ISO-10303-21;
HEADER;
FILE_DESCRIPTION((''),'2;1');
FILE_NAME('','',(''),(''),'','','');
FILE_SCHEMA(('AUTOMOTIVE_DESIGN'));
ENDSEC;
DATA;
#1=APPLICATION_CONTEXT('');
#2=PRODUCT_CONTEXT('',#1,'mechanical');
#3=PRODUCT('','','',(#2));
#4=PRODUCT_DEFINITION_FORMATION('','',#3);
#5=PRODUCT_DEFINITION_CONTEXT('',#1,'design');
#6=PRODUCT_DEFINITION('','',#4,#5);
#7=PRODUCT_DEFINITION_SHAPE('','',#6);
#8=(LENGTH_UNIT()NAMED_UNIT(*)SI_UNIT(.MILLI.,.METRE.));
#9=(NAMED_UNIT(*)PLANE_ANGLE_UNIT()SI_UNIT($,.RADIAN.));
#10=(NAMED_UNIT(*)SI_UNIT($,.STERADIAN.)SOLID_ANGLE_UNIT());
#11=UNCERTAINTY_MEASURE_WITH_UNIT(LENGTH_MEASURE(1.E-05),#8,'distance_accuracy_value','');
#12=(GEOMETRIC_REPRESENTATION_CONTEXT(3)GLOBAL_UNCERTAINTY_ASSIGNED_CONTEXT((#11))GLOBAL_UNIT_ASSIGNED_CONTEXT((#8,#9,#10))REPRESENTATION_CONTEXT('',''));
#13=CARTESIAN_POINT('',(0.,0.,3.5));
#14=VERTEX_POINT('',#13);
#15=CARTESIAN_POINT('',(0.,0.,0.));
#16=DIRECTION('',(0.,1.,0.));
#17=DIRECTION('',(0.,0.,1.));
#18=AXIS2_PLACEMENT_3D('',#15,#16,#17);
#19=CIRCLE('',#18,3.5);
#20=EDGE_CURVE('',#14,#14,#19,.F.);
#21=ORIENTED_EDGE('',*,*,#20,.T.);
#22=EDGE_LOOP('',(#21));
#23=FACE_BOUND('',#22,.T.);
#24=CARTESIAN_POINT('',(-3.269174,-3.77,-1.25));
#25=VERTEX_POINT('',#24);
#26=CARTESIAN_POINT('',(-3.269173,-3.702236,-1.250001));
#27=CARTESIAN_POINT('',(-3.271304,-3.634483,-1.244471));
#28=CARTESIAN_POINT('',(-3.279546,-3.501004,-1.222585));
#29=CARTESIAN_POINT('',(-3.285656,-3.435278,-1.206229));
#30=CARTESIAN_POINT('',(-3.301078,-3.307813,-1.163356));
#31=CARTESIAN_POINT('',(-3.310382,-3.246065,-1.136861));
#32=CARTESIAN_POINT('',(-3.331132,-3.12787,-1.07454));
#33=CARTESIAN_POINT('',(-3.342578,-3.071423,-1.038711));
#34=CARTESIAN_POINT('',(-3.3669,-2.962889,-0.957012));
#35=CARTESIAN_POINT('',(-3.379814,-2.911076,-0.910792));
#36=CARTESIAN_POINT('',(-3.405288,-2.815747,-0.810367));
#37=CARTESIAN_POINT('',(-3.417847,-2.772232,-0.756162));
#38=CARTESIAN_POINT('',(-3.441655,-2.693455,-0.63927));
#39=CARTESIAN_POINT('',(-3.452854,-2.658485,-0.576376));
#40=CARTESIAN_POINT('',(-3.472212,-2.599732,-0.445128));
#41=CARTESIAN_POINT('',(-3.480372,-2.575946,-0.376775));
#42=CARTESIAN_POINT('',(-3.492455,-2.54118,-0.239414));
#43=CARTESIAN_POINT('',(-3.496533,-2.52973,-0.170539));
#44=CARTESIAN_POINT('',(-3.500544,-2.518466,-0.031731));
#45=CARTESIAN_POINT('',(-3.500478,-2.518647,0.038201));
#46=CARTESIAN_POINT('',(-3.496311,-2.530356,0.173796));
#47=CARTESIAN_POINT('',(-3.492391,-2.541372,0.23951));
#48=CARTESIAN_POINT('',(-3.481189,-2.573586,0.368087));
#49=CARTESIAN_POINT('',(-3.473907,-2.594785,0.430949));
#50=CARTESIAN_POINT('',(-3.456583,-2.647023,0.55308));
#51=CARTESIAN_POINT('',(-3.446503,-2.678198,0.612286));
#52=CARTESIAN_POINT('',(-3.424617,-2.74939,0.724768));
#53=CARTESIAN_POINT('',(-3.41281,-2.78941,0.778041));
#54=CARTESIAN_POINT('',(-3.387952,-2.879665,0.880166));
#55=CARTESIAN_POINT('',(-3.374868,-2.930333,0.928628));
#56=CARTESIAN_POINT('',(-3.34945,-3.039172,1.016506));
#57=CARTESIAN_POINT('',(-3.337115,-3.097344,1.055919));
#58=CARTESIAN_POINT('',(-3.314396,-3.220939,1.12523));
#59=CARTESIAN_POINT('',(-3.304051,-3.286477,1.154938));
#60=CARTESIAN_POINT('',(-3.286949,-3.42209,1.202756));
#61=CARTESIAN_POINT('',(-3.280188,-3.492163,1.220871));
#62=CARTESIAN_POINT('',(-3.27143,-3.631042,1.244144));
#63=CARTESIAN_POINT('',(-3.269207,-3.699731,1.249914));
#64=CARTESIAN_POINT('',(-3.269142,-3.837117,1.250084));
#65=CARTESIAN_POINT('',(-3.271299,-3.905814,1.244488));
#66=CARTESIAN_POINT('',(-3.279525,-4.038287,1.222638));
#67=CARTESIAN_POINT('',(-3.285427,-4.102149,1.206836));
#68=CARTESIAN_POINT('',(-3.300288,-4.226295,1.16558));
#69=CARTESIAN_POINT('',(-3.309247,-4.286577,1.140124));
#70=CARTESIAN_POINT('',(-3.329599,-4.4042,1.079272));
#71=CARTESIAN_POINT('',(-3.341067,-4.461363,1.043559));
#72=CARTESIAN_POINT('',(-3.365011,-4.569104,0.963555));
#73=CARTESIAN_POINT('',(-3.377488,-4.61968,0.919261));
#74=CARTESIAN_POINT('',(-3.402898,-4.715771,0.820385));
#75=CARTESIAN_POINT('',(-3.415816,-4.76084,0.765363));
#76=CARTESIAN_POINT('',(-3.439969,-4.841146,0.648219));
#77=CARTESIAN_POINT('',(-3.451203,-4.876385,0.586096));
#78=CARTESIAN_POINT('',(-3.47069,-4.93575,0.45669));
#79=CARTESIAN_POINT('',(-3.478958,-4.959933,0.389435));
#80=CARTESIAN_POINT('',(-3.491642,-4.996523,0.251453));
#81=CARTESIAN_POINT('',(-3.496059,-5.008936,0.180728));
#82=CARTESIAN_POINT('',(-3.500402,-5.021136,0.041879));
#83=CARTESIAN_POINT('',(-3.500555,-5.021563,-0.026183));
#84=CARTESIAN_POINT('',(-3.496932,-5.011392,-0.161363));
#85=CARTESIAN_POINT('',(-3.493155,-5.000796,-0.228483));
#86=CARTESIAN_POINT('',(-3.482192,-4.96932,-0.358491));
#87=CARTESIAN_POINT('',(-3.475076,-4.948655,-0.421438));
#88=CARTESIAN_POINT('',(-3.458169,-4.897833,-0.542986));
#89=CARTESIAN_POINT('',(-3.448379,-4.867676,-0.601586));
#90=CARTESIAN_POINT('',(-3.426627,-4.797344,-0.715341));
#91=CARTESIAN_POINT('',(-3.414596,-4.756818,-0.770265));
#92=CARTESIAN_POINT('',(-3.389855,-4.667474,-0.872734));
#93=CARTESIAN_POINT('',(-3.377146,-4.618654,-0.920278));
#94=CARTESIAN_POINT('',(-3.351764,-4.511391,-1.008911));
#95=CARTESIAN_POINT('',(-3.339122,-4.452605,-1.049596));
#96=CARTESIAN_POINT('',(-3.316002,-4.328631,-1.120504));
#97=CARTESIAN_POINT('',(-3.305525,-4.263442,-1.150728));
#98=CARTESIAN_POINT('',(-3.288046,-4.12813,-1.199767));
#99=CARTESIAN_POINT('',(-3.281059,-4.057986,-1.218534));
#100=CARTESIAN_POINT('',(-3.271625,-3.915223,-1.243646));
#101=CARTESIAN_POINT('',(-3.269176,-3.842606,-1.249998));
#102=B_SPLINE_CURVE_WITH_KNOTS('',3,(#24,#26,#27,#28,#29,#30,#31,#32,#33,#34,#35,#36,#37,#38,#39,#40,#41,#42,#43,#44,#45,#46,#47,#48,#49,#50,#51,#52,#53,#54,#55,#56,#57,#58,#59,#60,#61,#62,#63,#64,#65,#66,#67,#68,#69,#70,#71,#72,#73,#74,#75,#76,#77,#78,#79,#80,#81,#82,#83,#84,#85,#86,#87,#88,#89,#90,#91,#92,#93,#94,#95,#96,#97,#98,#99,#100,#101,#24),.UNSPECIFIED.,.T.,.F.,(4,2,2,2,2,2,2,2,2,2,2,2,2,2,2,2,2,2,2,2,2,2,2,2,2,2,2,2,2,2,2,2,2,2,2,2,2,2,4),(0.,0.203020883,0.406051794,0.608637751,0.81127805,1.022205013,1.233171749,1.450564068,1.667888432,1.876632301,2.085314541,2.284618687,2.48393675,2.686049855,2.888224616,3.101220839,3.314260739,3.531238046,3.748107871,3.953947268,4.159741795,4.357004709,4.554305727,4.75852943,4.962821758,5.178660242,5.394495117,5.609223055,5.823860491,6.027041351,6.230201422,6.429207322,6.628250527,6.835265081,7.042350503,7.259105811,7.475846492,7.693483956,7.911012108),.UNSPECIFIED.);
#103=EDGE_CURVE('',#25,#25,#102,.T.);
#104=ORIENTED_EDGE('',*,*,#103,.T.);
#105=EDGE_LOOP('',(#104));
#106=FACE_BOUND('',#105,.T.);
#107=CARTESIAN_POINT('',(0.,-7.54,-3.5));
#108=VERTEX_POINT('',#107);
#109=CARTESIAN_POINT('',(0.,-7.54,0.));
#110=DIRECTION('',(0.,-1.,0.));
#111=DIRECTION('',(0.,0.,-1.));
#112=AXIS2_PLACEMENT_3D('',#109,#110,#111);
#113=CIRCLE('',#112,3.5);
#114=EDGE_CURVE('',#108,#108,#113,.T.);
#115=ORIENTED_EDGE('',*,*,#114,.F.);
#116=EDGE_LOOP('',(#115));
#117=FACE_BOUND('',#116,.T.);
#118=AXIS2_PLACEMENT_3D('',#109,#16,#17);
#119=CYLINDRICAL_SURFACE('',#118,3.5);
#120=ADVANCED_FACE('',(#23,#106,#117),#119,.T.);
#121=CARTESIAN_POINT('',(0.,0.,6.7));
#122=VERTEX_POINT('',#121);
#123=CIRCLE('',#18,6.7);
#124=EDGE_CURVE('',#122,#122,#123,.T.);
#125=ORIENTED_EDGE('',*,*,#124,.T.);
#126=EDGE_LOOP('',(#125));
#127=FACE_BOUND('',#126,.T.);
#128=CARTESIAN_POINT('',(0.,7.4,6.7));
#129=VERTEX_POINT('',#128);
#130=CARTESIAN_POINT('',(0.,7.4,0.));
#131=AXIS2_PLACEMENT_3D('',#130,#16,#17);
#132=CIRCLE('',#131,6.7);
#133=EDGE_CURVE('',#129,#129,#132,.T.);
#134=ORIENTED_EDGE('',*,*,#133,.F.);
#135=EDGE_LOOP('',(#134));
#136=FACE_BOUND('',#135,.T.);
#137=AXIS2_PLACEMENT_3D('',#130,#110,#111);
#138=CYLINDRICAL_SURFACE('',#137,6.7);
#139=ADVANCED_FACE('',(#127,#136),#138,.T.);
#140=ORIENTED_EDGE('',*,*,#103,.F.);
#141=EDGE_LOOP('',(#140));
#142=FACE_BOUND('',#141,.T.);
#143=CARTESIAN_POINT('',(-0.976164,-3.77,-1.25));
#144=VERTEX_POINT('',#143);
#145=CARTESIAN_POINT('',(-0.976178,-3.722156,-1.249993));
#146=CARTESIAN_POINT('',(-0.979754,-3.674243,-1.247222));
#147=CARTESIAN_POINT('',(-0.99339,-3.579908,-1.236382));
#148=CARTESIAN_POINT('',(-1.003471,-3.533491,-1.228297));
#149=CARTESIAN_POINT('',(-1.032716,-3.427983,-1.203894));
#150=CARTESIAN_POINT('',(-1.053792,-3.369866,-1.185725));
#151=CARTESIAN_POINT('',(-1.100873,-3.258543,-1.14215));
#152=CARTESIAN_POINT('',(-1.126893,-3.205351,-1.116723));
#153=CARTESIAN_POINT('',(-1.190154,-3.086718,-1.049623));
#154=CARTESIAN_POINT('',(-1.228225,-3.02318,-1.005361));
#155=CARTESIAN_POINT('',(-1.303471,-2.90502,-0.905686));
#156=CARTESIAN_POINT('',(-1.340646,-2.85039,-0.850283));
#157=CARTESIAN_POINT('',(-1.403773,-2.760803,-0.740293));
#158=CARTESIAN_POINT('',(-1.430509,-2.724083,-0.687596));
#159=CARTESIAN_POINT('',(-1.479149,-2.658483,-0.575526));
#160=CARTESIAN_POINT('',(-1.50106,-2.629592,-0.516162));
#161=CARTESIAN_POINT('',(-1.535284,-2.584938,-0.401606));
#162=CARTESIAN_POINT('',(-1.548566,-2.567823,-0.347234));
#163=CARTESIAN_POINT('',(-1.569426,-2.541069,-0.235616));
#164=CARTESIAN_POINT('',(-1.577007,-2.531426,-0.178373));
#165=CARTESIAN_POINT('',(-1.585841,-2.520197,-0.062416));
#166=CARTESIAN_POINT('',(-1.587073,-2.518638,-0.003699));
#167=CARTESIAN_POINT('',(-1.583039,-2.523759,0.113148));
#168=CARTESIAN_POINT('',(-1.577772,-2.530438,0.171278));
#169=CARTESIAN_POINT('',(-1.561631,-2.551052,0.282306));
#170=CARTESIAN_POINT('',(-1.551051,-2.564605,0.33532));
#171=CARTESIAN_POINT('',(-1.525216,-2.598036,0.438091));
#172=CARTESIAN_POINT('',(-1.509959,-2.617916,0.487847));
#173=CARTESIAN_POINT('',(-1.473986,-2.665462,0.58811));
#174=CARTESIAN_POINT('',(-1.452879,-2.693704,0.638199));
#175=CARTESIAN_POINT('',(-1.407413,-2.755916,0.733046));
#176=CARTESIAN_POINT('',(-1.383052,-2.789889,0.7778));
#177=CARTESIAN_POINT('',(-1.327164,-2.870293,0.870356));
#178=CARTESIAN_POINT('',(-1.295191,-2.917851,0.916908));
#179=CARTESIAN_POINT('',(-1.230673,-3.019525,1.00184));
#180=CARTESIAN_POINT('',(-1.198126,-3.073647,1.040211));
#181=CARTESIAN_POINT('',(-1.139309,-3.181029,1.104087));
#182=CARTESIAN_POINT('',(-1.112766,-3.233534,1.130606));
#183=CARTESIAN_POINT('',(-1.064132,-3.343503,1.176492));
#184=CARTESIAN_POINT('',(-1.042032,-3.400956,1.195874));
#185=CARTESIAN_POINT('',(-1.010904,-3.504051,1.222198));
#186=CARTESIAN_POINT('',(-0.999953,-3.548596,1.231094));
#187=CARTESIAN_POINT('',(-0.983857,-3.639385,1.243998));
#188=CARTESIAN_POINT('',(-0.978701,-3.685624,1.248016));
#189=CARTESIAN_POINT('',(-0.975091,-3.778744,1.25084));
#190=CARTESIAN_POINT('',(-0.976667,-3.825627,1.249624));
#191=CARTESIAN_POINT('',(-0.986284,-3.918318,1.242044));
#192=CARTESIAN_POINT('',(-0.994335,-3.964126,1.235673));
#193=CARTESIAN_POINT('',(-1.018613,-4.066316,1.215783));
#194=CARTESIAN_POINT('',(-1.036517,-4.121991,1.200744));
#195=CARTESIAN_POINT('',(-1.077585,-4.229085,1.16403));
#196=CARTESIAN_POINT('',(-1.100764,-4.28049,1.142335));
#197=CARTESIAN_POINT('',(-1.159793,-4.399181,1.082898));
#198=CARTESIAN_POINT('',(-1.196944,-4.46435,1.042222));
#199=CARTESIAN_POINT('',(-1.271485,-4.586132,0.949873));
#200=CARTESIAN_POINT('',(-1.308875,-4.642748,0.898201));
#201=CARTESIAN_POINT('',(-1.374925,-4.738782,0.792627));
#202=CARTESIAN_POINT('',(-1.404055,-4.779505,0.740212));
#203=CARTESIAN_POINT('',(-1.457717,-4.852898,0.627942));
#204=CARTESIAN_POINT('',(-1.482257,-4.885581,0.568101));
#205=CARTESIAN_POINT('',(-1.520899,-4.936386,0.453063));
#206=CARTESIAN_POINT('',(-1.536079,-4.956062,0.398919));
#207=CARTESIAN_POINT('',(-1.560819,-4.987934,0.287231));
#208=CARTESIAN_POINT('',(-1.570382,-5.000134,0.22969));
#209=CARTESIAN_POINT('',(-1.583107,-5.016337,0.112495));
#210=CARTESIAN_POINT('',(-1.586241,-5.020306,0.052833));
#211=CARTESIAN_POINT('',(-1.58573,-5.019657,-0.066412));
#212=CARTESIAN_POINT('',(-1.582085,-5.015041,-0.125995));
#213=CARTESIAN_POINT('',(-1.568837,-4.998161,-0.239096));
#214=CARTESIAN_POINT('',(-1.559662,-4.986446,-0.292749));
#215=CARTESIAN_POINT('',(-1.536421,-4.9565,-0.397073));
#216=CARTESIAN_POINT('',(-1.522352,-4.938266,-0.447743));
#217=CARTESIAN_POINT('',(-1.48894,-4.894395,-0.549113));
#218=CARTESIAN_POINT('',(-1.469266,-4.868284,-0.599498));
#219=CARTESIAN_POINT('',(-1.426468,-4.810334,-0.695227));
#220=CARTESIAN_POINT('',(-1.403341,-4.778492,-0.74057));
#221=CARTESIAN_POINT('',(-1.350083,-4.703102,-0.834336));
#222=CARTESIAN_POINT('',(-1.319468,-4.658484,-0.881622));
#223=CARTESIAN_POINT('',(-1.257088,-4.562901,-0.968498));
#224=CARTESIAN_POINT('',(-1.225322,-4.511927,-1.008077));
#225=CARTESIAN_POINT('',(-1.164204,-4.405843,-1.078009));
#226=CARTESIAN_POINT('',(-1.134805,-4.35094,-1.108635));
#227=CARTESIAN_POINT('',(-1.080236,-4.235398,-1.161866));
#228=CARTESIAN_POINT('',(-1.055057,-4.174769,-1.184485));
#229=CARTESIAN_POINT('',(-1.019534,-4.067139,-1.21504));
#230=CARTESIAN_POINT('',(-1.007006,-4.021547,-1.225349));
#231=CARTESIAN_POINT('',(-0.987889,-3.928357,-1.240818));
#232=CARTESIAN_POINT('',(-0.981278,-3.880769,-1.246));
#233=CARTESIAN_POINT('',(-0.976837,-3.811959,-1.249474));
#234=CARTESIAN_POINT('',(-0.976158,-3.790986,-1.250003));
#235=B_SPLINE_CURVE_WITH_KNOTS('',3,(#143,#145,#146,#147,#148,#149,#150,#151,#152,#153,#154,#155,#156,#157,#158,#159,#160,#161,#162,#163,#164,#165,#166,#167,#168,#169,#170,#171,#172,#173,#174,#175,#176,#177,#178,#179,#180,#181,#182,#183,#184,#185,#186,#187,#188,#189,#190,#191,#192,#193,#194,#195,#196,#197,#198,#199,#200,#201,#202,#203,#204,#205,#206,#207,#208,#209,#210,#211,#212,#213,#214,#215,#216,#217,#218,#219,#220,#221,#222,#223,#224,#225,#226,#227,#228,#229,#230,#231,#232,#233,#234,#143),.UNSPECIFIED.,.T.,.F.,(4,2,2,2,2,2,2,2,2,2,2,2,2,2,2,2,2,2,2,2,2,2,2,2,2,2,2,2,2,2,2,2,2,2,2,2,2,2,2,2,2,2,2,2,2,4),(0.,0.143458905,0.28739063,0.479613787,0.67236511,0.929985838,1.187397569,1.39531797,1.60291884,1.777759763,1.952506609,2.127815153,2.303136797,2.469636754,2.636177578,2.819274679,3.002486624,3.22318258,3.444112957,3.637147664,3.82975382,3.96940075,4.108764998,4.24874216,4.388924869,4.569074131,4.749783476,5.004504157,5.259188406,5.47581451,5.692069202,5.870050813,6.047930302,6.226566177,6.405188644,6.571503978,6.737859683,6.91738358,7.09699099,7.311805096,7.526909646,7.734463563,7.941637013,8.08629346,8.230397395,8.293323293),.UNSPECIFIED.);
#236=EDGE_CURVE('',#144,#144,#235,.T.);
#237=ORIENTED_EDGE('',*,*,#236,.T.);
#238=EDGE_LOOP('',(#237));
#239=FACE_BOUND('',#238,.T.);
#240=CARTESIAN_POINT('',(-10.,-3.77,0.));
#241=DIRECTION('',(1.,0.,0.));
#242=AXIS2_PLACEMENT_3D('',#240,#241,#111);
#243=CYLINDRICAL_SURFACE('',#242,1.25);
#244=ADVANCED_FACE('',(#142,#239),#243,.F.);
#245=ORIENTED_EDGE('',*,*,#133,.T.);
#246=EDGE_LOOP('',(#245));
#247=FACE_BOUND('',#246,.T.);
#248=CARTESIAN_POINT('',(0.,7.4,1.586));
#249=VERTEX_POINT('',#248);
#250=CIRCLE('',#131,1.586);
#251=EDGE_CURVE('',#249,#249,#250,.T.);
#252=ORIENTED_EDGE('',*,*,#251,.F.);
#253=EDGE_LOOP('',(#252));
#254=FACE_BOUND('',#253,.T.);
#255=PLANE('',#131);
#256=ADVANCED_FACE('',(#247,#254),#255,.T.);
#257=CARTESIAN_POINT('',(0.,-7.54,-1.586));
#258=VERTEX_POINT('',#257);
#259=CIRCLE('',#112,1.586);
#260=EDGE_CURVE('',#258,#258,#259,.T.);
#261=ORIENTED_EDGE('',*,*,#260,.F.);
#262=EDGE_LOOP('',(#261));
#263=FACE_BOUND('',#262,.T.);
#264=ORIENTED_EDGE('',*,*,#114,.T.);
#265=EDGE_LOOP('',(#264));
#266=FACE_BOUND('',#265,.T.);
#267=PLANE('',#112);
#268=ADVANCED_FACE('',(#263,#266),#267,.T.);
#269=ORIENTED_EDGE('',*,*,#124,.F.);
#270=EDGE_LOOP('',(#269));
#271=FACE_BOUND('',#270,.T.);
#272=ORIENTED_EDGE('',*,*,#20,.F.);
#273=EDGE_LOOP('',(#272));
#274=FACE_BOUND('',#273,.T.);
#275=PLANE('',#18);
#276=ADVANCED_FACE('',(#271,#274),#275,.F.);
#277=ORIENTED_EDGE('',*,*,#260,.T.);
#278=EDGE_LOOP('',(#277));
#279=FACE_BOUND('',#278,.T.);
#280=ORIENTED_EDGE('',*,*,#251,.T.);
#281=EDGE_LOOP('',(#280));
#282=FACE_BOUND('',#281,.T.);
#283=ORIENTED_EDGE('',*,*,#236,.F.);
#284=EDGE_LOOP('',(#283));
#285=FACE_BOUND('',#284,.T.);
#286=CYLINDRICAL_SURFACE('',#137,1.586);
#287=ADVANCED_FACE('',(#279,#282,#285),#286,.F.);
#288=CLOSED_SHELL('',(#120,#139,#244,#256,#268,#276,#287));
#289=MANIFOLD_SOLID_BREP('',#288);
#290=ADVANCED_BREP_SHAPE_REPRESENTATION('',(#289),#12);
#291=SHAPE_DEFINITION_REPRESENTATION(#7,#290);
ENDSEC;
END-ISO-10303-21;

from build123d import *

# Parameters (mm, degrees)
SKETCH1_R           = 6.7
SKETCH1_R_2         = 1.586
BOSS_EXTRUDE1_DEPTH = 7.4
SKETCH2_R           = 3.5
SKETCH2_R_2         = 1.586
BOSS_EXTRUDE2_DEPTH = 7.54
SKETCH3_R           = 1.25
CUT_EXTRUDE1_DEPTH  = 10


with BuildPart() as part:
    # Sketch1 → Boss-Extrude1 (new body)
    with BuildSketch(Plane(origin=(0, 0, 0), x_dir=(1, 0, 0), z_dir=(0, 1, 0))):
        Circle(SKETCH1_R)
        Circle(SKETCH1_R_2, mode=Mode.SUBTRACT)
    extrude(amount=BOSS_EXTRUDE1_DEPTH)

    # Sketch2 → Boss-Extrude2 (add)
    with BuildSketch(Plane.XZ):
        Circle(SKETCH2_R)
        Circle(SKETCH2_R_2, mode=Mode.SUBTRACT)
    extrude(amount=BOSS_EXTRUDE2_DEPTH)

    # Sketch3 → Cut-Extrude1 (cut)
    with BuildSketch(Plane(origin=(0, 0, 0), x_dir=(0, 0, -1), z_dir=(1, 0, 0))):
        with Locations((0, -3.77)):
            Circle(SKETCH3_R)
    extrude(amount=-CUT_EXTRUDE1_DEPTH, mode=Mode.SUBTRACT)


solid = part.part
